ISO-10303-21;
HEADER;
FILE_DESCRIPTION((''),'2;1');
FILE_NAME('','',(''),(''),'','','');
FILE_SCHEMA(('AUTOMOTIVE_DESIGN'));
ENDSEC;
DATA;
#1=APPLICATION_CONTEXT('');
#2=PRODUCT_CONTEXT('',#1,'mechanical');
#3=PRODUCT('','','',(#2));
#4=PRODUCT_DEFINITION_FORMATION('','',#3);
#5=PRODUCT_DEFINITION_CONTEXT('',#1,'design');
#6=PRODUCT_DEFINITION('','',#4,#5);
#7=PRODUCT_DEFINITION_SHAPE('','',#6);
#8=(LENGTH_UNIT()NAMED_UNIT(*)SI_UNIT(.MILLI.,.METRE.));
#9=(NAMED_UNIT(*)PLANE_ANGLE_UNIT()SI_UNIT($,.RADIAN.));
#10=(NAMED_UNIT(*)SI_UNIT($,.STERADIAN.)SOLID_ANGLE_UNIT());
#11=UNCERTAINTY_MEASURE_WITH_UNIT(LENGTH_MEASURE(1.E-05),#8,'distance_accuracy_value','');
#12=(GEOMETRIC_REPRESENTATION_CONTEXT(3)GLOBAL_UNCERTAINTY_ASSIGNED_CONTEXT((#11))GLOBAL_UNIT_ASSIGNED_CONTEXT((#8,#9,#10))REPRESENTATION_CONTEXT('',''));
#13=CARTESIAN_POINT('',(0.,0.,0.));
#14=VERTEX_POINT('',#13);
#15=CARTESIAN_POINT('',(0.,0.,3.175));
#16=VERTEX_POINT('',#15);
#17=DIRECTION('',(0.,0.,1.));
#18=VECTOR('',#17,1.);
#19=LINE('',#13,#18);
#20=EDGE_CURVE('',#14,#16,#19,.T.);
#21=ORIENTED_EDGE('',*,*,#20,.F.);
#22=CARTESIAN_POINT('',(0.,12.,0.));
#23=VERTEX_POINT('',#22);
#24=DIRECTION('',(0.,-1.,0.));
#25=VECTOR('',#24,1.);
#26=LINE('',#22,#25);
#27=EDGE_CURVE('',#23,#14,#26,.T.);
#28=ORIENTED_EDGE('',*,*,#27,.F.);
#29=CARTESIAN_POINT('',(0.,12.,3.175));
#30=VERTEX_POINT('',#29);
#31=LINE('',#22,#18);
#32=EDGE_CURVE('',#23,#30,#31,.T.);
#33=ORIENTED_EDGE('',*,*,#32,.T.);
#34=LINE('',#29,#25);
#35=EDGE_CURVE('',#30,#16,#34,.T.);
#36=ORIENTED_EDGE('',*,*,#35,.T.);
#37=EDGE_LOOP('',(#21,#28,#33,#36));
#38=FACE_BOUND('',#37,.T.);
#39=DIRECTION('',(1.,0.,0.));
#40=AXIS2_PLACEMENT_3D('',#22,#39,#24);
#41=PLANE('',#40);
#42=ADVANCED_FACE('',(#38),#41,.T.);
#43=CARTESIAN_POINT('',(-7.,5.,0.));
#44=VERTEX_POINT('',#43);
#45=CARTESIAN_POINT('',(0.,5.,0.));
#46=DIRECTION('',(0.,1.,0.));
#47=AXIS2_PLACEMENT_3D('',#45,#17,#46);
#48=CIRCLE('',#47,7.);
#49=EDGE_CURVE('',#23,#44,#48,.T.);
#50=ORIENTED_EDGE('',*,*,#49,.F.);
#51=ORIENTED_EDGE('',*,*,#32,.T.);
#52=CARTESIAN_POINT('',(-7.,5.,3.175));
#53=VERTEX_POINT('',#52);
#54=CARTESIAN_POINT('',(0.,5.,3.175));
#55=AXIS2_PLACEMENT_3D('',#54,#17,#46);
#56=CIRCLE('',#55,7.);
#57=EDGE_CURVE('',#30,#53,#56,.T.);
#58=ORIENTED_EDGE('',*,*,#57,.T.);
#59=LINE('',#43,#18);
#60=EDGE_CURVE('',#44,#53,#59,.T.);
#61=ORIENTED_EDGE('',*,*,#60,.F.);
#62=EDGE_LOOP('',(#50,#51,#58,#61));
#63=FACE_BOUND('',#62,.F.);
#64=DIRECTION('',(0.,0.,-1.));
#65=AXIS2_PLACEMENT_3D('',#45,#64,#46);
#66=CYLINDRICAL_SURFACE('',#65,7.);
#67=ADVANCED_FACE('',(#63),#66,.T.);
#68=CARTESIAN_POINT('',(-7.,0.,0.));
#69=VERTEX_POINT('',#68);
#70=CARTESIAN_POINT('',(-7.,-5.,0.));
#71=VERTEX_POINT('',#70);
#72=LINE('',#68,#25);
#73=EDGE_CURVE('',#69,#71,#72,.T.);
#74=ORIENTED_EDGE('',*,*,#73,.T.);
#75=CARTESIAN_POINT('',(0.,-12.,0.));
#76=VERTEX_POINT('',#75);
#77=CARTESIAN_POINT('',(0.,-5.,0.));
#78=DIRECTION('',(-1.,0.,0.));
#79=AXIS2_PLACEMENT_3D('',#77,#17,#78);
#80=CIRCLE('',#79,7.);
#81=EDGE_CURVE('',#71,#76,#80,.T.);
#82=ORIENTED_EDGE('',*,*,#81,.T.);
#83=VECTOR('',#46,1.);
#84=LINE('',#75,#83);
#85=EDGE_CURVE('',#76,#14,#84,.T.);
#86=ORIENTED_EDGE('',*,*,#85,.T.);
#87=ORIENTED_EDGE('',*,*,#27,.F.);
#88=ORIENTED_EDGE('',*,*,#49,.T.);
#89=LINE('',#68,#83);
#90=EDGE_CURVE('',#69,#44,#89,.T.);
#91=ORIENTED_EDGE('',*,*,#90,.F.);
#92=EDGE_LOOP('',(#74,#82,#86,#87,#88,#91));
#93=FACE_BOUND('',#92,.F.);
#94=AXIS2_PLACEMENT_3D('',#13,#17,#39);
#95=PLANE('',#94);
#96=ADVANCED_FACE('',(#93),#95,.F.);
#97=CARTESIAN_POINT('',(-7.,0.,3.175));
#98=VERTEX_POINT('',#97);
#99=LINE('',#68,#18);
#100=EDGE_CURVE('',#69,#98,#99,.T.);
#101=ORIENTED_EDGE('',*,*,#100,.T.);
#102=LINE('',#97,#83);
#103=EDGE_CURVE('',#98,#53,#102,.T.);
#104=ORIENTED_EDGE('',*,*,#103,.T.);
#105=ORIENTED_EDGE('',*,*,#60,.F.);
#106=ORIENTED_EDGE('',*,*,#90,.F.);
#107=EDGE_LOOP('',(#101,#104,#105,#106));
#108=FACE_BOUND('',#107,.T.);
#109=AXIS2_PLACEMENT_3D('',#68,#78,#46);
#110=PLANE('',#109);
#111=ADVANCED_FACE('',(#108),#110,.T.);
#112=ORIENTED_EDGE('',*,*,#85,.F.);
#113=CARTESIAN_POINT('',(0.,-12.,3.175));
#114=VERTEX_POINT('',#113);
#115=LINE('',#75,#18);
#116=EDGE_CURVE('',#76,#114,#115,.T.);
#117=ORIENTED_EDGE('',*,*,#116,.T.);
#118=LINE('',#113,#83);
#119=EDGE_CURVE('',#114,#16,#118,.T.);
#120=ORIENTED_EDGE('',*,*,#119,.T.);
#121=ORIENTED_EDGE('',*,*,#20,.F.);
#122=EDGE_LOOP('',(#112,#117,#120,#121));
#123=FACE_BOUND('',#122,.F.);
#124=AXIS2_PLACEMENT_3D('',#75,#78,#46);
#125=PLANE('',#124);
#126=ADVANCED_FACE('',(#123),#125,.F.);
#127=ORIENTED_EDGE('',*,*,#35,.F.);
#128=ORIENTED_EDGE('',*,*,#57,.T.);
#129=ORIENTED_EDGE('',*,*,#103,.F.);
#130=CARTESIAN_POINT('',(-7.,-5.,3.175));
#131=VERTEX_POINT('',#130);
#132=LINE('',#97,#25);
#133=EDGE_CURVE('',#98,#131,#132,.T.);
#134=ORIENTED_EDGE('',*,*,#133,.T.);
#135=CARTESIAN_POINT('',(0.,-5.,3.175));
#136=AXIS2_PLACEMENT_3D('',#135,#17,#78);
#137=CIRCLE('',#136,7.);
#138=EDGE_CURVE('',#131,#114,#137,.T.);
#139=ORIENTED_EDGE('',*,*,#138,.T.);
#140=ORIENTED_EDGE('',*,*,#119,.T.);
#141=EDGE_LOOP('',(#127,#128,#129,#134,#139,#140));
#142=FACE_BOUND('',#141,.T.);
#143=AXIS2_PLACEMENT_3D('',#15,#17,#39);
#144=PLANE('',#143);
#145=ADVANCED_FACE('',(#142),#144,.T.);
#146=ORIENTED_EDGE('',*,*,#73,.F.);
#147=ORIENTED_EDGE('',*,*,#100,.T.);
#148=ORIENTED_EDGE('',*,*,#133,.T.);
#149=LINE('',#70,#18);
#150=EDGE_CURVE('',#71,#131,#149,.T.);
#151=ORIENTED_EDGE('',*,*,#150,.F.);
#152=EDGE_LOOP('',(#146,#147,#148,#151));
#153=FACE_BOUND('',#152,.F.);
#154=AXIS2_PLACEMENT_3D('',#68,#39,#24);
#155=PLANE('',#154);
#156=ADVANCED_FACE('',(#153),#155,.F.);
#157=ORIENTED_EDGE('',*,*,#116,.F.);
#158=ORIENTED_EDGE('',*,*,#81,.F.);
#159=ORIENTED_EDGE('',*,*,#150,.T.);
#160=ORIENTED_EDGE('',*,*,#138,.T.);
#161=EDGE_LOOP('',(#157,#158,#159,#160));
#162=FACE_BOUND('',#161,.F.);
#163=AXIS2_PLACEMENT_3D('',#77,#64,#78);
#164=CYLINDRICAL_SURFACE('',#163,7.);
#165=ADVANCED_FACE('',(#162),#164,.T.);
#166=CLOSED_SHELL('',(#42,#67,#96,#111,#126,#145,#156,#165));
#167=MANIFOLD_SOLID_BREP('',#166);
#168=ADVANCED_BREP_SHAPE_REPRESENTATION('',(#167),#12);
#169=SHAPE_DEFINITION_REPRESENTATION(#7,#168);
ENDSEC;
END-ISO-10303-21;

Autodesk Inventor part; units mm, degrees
ref_plane "YZ Plane" through (0, 0, 0) normal (1, 0, 0) x (0, 1, 0)
ref_plane "XZ Plane" through (0, 0, 0) normal (0, 1, 0) x (-1, 0, 0)
ref_plane "XY Plane" through (0, 0, 0) normal (0, 0, 1) x (1, 0, 0)
sketch "Sketch1" plane through (0, 0, 0) normal (0, 0, 1) x (1, 0, 0)
  line L0 (0, 0) -> (-7, 0) construction
  line L1 (-7, 0) -> (-7, 5)
  arc A0 (0, 12) -> (-7, 5) centre (0, 5) ccw
  line L2 (0, 12) -> (0, 0)
  line L3 (-7, 0) -> (-7, -5)
  arc A1 (-7, -5) -> (0, -12) centre (0, -5) ccw
  line L4 (0, -12) -> (0, 0)
  dimension "d0" = 7
  dimension "d2" = 7
  dimension "d5" = 5
extrude "Extrusion1" add sketch "Sketch1" along normal blind 3.175
properties part number "waterbottle_holder_side"
